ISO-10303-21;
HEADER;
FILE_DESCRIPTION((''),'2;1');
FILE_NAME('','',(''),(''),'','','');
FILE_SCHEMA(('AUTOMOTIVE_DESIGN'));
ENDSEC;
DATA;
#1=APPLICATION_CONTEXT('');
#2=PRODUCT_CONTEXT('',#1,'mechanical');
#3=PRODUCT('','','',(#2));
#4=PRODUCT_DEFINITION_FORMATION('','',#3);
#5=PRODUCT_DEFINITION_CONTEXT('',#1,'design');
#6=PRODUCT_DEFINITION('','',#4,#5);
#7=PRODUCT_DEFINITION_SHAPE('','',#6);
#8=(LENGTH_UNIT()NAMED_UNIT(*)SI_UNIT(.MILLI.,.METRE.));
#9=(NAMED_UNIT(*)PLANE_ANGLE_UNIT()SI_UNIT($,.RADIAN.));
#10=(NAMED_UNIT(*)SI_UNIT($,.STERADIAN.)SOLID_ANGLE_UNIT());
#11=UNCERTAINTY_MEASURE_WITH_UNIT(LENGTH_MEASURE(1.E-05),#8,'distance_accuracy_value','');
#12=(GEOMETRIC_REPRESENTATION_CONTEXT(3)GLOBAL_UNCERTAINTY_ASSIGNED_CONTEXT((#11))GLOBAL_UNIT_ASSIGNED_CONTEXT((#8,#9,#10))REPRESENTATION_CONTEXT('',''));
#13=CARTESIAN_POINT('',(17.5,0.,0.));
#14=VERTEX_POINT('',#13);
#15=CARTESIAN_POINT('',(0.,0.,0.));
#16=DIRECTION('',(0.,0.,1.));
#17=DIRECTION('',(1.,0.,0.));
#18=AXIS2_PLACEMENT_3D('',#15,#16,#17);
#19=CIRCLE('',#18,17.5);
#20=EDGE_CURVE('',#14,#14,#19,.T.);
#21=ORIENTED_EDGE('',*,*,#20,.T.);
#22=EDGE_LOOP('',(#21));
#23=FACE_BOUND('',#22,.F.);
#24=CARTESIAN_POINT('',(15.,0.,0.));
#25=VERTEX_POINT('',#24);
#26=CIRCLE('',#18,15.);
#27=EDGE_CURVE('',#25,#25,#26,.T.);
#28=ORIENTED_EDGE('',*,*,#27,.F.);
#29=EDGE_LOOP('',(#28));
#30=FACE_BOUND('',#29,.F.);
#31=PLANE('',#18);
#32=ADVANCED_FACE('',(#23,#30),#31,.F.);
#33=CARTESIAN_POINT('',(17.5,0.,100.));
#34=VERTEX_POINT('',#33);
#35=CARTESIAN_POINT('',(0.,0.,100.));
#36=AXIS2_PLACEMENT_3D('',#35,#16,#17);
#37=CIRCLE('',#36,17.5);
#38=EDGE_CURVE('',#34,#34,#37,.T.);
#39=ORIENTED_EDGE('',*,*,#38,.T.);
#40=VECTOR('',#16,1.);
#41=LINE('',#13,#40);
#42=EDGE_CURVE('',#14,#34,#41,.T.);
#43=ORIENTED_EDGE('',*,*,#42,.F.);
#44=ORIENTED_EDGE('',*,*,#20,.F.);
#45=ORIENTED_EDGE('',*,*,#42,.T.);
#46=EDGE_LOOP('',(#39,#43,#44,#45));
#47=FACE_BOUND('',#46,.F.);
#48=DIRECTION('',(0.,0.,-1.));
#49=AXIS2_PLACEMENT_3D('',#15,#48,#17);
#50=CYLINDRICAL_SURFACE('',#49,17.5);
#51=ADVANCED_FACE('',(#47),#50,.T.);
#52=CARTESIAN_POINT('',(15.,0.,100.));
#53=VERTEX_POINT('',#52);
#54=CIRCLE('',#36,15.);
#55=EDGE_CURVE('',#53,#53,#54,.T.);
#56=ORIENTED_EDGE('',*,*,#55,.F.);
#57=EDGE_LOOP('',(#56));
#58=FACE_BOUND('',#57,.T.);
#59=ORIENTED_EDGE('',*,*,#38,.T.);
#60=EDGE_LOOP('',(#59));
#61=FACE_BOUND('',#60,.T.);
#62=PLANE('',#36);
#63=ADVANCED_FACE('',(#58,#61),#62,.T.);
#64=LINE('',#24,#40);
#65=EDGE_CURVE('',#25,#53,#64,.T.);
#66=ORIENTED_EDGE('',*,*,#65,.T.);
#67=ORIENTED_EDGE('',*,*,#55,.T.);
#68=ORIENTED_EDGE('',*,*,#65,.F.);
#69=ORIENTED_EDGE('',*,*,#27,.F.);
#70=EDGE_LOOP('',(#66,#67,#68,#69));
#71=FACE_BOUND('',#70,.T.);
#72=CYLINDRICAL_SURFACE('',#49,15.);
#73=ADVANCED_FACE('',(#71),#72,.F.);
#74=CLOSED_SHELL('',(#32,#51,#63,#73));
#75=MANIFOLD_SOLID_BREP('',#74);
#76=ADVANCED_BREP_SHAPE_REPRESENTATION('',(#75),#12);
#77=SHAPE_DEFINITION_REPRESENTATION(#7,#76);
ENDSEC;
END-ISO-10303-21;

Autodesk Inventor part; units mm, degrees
ref_plane "YZ Plane" through (0, 0, 0) normal (1, 0, 0) x (0, 1, 0)
ref_plane "XZ Plane" through (0, 0, 0) normal (0, 1, 0) x (-1, 0, 0)
ref_plane "XY Plane" through (0, 0, 0) normal (0, 0, 1) x (1, 0, 0)
sketch "Esquisse1" plane through (0, 0, 0) normal (0, 0, 1) x (1, 0, 0)
  circle A0 centre (0, 0) radius 15
  circle A1 centre (0, 0) radius 17.5
  dimension "d0" = 2.5
  dimension "d1" = 35
  dimension "d6" = 30
extrude "Extrusion1" add sketch "Esquisse1" along normal blind 100
thread "Filetage1" size "M30x2" class "6H" standard "ISO Metric profile" length 20
properties part number "tube_reservoir" material "Acier, galvanisé"
